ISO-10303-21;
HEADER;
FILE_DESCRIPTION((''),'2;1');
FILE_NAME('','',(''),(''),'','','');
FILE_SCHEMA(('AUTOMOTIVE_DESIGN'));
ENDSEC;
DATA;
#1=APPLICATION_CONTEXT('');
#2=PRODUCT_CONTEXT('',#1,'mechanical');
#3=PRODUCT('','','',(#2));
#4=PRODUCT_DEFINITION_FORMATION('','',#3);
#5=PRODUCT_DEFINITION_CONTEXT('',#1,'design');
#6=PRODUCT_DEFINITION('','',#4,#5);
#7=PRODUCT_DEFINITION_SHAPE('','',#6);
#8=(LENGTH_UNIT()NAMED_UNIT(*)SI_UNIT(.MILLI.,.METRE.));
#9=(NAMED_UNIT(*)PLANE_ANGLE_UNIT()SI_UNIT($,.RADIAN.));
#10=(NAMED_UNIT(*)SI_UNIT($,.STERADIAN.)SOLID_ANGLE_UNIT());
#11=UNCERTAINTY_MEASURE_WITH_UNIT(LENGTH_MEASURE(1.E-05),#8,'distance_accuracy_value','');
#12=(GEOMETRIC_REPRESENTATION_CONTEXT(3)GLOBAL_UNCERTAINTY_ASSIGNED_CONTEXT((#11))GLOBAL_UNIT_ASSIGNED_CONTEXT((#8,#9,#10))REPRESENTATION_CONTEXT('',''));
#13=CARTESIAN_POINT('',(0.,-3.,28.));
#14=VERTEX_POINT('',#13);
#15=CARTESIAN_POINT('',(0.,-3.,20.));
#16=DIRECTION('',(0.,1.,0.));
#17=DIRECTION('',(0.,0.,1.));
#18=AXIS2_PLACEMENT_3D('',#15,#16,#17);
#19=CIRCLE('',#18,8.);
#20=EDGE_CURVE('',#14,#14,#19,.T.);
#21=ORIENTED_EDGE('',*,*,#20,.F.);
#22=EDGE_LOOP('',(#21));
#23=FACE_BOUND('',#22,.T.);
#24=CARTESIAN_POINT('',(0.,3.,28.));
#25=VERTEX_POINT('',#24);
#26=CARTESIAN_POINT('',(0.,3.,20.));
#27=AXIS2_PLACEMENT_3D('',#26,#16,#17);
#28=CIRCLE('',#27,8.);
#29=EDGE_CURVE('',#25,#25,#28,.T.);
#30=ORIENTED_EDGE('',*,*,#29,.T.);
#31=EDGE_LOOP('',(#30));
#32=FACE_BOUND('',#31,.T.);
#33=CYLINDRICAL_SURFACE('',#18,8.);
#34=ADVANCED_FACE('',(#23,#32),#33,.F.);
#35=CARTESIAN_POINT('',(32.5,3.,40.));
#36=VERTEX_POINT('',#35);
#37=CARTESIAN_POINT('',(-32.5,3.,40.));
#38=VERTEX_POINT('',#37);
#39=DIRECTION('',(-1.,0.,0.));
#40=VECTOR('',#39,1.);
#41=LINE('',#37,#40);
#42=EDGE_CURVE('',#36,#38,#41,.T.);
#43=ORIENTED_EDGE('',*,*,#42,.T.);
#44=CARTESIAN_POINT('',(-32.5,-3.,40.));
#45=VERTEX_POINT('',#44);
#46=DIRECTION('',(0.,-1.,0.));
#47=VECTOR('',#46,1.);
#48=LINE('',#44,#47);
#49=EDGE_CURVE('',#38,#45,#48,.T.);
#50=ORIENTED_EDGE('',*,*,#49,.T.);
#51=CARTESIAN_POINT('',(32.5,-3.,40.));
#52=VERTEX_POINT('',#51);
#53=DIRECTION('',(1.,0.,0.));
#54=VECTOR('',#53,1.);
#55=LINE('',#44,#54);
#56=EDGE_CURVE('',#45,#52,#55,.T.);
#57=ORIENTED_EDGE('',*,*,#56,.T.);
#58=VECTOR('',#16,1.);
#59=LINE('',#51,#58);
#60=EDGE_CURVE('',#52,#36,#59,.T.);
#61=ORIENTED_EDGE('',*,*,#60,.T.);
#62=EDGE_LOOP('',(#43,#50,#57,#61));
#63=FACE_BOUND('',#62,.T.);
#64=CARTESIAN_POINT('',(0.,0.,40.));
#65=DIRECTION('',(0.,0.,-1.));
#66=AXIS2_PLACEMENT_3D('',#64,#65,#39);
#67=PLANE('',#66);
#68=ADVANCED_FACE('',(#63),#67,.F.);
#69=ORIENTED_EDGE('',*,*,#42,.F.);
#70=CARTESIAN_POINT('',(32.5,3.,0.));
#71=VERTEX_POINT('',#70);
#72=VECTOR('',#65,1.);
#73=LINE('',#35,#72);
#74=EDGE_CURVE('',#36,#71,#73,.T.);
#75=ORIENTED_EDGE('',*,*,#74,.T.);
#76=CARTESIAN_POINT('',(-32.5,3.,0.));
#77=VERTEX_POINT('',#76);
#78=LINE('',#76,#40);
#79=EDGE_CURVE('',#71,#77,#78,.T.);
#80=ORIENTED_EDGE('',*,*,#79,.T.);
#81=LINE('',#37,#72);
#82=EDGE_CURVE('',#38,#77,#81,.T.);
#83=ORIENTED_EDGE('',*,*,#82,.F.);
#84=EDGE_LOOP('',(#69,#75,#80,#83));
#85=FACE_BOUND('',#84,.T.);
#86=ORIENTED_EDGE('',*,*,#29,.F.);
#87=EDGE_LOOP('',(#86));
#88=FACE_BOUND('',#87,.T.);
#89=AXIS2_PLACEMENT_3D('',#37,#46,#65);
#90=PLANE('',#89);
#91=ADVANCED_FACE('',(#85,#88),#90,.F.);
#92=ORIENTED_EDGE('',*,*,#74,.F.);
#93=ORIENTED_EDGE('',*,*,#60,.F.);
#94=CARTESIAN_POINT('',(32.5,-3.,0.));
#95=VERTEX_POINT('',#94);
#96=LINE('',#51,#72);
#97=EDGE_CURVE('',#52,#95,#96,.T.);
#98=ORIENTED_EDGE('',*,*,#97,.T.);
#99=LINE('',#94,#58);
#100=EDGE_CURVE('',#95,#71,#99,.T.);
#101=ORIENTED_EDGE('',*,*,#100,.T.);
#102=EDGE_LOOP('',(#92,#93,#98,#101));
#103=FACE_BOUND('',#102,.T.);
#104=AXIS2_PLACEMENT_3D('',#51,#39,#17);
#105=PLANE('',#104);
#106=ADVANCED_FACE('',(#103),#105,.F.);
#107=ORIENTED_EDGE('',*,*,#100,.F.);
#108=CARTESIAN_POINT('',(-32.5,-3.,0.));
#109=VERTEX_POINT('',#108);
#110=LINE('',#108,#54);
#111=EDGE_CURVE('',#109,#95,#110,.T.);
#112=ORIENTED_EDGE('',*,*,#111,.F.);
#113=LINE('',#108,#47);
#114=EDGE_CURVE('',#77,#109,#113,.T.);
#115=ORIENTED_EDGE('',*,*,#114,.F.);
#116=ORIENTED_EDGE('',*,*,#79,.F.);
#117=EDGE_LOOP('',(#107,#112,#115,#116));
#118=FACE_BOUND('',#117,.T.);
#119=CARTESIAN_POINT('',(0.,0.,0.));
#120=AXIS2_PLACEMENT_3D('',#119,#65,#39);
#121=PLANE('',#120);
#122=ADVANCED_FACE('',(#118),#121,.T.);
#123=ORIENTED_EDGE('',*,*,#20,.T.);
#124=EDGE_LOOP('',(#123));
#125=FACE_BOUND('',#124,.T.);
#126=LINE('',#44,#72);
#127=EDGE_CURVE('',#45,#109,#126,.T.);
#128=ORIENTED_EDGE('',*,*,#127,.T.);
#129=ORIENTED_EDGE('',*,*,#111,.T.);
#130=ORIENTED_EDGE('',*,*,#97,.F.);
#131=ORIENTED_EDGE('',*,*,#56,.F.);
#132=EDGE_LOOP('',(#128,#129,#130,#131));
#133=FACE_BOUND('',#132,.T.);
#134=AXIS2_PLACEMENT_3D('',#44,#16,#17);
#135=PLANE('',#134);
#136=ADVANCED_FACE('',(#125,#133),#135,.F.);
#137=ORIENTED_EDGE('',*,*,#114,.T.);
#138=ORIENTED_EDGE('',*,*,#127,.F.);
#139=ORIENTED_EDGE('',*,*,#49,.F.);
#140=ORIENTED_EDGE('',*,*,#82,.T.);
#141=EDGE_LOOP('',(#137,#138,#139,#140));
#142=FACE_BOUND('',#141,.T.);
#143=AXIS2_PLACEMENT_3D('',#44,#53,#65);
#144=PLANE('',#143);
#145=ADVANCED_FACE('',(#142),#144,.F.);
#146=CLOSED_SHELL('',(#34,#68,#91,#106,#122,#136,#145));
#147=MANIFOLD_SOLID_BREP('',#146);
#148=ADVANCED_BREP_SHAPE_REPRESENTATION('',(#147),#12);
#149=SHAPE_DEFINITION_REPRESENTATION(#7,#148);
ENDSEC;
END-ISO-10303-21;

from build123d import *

# Parameters (mm, degrees)
SKETCH1_W           = 65
SKETCH1_H           = 6
BOSS_EXTRUDE1_DEPTH = 40
SKETCH2_R           = 8
CUT_EXTRUDE1_DEPTH  = 7


with BuildPart() as part:
    # Sketch1 → Boss-Extrude1 (new body)
    with BuildSketch(Plane.XY):
        Rectangle(SKETCH1_W, SKETCH1_H)
    extrude(amount=BOSS_EXTRUDE1_DEPTH)

    # Sketch2 → Cut-Extrude1 (cut, through all)
    with BuildSketch(Plane(origin=(0, 3, 0), x_dir=(1, 0, 0), z_dir=(0, 1, 0))):
        with Locations((0, -20)):
            Circle(SKETCH2_R)
    extrude(amount=-CUT_EXTRUDE1_DEPTH, mode=Mode.SUBTRACT)


solid = part.part
